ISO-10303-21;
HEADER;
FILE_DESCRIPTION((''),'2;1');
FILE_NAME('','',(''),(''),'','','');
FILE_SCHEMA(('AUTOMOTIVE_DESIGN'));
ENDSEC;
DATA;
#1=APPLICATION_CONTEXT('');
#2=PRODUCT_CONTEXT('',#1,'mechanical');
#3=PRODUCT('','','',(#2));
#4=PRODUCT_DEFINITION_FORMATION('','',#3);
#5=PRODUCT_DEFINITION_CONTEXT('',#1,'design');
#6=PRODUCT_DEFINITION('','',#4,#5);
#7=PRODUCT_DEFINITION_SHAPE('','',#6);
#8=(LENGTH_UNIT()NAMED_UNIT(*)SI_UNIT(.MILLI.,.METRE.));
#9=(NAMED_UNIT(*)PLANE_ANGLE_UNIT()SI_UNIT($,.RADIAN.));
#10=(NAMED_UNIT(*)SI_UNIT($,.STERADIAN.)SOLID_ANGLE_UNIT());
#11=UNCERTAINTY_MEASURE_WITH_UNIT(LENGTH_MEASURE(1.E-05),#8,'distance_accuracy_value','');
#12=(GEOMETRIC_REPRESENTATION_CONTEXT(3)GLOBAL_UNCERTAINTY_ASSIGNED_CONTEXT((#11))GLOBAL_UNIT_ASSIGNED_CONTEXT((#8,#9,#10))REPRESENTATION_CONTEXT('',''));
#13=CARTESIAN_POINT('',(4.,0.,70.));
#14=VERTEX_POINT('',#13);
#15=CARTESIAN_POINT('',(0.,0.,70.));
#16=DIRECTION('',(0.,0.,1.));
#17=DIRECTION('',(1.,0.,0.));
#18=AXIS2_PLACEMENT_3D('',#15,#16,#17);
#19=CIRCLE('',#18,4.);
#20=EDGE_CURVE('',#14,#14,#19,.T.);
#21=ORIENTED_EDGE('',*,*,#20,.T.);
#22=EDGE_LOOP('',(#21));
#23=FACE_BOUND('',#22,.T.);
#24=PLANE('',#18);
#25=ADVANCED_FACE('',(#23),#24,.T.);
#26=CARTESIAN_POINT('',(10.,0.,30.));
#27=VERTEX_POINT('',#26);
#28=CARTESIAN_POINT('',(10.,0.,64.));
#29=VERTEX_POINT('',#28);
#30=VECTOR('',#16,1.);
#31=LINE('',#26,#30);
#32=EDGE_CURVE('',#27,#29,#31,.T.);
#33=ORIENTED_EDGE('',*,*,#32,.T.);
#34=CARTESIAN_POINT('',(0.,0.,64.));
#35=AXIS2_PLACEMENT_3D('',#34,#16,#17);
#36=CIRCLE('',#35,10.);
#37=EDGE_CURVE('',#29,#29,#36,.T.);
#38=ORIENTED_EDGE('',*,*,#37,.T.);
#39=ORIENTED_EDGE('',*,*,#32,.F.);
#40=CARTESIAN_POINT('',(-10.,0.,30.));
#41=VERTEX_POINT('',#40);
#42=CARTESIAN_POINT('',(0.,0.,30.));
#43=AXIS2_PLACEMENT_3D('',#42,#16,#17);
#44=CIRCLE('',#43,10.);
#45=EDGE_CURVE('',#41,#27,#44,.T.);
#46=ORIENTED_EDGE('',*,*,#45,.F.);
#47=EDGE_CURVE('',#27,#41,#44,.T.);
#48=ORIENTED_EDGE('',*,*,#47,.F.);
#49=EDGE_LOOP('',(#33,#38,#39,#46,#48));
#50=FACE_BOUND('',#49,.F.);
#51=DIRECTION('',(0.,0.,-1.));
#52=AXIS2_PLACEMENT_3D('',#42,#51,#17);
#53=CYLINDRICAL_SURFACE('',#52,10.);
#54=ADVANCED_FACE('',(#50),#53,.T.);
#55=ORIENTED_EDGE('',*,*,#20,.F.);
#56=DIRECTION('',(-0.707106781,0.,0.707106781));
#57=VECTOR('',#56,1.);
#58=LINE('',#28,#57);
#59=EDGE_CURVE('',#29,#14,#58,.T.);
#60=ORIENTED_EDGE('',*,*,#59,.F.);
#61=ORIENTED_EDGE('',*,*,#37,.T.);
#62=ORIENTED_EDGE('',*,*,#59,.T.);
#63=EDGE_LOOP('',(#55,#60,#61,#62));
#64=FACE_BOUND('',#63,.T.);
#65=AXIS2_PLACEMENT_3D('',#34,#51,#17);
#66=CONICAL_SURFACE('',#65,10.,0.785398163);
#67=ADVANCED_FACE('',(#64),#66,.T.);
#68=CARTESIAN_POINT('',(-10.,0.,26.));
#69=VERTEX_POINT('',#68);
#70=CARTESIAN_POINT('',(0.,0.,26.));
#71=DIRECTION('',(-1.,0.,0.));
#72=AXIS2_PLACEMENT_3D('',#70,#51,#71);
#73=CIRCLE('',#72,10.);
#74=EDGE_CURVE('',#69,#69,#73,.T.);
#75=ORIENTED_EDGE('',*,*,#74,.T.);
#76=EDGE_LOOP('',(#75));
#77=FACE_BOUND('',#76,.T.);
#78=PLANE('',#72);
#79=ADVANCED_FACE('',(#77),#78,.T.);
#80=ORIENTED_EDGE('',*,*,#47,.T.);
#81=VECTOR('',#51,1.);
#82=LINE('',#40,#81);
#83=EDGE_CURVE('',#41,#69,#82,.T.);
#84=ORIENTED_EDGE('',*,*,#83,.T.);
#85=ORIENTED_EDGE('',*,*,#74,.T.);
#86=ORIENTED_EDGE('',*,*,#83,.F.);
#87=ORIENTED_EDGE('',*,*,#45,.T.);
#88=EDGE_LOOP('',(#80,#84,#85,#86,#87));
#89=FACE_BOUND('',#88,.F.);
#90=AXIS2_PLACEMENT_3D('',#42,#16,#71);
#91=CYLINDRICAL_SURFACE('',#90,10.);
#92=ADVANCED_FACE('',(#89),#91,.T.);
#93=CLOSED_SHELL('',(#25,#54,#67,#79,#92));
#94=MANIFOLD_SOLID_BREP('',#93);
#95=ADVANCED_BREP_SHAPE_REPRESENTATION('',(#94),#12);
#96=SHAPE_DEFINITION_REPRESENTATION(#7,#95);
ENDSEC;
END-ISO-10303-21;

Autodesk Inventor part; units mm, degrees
ref_plane "YZ Plane" through (0, 0, 0) normal (1, 0, 0) x (0, 1, 0)
ref_plane "XZ Plane" through (0, 0, 0) normal (0, 1, 0) x (-1, 0, 0)
ref_plane "XY Plane" through (0, 0, 0) normal (0, 0, 1) x (1, 0, 0)
ref_plane "Work Plane3" through (0, 0, 30) normal (0, 0, 1) x (1, 0, 0)
sketch "Sketch2" plane through (0, 0, 30) normal (0, 0, 1) x (1, 0, 0)
  arc A0 (80, 65) -> (65, 80) centre (65, 65) ccw projected
  line L0 (80, 65) -> (80, -65) projected
  arc A1 (65, -80) -> (80, -65) centre (65, -65) ccw projected
  line L1 (65, -80) -> (-65, -80) projected
  arc A2 (-80, -65) -> (-65, -80) centre (-65, -65) ccw projected
  line L2 (-80, -65) -> (-80, 65) projected
  arc A3 (-65, 80) -> (-80, 65) centre (-65, 65) ccw projected
  line L3 (-65, 80) -> (65, 80) projected
  line L4 (-150, -150) -> (150, -150) projected
  line L5 (150, -150) -> (150, 150) projected
  line L6 (150, 150) -> (-150, 150) projected
  line L7 (-150, 150) -> (-150, -150) projected
  circle A4 centre (0, 0) radius 10
  circle A5 centre (-67, -107.5) radius 1.95 projected
  circle A6 centre (67, 107.5) radius 1.95 projected
  circle A7 centre (-67, 107.5) radius 1.95 projected
  circle A8 centre (67, -107.5) radius 1.95 projected
  dimension "d0" = 20
extrude "Extrusion1" add sketch "Sketch2" along normal blind 40 contours A4
chamfer "Chamfer2" distance 6 angle 45 1 edges at (-10, 0, 70)
sketch "Sketch3" plane through (0, 0, 30) normal (0, 0, -1) x (-1, 0, 0)
  circle A0 centre (0, 0) radius 10 projected
  circle A1 centre (0, 0) radius 10
  dimension "d9" = 20
extrude "Extrusion2" add sketch "Sketch3" along normal blind 4
properties part number "00_Microscope_Objective"
